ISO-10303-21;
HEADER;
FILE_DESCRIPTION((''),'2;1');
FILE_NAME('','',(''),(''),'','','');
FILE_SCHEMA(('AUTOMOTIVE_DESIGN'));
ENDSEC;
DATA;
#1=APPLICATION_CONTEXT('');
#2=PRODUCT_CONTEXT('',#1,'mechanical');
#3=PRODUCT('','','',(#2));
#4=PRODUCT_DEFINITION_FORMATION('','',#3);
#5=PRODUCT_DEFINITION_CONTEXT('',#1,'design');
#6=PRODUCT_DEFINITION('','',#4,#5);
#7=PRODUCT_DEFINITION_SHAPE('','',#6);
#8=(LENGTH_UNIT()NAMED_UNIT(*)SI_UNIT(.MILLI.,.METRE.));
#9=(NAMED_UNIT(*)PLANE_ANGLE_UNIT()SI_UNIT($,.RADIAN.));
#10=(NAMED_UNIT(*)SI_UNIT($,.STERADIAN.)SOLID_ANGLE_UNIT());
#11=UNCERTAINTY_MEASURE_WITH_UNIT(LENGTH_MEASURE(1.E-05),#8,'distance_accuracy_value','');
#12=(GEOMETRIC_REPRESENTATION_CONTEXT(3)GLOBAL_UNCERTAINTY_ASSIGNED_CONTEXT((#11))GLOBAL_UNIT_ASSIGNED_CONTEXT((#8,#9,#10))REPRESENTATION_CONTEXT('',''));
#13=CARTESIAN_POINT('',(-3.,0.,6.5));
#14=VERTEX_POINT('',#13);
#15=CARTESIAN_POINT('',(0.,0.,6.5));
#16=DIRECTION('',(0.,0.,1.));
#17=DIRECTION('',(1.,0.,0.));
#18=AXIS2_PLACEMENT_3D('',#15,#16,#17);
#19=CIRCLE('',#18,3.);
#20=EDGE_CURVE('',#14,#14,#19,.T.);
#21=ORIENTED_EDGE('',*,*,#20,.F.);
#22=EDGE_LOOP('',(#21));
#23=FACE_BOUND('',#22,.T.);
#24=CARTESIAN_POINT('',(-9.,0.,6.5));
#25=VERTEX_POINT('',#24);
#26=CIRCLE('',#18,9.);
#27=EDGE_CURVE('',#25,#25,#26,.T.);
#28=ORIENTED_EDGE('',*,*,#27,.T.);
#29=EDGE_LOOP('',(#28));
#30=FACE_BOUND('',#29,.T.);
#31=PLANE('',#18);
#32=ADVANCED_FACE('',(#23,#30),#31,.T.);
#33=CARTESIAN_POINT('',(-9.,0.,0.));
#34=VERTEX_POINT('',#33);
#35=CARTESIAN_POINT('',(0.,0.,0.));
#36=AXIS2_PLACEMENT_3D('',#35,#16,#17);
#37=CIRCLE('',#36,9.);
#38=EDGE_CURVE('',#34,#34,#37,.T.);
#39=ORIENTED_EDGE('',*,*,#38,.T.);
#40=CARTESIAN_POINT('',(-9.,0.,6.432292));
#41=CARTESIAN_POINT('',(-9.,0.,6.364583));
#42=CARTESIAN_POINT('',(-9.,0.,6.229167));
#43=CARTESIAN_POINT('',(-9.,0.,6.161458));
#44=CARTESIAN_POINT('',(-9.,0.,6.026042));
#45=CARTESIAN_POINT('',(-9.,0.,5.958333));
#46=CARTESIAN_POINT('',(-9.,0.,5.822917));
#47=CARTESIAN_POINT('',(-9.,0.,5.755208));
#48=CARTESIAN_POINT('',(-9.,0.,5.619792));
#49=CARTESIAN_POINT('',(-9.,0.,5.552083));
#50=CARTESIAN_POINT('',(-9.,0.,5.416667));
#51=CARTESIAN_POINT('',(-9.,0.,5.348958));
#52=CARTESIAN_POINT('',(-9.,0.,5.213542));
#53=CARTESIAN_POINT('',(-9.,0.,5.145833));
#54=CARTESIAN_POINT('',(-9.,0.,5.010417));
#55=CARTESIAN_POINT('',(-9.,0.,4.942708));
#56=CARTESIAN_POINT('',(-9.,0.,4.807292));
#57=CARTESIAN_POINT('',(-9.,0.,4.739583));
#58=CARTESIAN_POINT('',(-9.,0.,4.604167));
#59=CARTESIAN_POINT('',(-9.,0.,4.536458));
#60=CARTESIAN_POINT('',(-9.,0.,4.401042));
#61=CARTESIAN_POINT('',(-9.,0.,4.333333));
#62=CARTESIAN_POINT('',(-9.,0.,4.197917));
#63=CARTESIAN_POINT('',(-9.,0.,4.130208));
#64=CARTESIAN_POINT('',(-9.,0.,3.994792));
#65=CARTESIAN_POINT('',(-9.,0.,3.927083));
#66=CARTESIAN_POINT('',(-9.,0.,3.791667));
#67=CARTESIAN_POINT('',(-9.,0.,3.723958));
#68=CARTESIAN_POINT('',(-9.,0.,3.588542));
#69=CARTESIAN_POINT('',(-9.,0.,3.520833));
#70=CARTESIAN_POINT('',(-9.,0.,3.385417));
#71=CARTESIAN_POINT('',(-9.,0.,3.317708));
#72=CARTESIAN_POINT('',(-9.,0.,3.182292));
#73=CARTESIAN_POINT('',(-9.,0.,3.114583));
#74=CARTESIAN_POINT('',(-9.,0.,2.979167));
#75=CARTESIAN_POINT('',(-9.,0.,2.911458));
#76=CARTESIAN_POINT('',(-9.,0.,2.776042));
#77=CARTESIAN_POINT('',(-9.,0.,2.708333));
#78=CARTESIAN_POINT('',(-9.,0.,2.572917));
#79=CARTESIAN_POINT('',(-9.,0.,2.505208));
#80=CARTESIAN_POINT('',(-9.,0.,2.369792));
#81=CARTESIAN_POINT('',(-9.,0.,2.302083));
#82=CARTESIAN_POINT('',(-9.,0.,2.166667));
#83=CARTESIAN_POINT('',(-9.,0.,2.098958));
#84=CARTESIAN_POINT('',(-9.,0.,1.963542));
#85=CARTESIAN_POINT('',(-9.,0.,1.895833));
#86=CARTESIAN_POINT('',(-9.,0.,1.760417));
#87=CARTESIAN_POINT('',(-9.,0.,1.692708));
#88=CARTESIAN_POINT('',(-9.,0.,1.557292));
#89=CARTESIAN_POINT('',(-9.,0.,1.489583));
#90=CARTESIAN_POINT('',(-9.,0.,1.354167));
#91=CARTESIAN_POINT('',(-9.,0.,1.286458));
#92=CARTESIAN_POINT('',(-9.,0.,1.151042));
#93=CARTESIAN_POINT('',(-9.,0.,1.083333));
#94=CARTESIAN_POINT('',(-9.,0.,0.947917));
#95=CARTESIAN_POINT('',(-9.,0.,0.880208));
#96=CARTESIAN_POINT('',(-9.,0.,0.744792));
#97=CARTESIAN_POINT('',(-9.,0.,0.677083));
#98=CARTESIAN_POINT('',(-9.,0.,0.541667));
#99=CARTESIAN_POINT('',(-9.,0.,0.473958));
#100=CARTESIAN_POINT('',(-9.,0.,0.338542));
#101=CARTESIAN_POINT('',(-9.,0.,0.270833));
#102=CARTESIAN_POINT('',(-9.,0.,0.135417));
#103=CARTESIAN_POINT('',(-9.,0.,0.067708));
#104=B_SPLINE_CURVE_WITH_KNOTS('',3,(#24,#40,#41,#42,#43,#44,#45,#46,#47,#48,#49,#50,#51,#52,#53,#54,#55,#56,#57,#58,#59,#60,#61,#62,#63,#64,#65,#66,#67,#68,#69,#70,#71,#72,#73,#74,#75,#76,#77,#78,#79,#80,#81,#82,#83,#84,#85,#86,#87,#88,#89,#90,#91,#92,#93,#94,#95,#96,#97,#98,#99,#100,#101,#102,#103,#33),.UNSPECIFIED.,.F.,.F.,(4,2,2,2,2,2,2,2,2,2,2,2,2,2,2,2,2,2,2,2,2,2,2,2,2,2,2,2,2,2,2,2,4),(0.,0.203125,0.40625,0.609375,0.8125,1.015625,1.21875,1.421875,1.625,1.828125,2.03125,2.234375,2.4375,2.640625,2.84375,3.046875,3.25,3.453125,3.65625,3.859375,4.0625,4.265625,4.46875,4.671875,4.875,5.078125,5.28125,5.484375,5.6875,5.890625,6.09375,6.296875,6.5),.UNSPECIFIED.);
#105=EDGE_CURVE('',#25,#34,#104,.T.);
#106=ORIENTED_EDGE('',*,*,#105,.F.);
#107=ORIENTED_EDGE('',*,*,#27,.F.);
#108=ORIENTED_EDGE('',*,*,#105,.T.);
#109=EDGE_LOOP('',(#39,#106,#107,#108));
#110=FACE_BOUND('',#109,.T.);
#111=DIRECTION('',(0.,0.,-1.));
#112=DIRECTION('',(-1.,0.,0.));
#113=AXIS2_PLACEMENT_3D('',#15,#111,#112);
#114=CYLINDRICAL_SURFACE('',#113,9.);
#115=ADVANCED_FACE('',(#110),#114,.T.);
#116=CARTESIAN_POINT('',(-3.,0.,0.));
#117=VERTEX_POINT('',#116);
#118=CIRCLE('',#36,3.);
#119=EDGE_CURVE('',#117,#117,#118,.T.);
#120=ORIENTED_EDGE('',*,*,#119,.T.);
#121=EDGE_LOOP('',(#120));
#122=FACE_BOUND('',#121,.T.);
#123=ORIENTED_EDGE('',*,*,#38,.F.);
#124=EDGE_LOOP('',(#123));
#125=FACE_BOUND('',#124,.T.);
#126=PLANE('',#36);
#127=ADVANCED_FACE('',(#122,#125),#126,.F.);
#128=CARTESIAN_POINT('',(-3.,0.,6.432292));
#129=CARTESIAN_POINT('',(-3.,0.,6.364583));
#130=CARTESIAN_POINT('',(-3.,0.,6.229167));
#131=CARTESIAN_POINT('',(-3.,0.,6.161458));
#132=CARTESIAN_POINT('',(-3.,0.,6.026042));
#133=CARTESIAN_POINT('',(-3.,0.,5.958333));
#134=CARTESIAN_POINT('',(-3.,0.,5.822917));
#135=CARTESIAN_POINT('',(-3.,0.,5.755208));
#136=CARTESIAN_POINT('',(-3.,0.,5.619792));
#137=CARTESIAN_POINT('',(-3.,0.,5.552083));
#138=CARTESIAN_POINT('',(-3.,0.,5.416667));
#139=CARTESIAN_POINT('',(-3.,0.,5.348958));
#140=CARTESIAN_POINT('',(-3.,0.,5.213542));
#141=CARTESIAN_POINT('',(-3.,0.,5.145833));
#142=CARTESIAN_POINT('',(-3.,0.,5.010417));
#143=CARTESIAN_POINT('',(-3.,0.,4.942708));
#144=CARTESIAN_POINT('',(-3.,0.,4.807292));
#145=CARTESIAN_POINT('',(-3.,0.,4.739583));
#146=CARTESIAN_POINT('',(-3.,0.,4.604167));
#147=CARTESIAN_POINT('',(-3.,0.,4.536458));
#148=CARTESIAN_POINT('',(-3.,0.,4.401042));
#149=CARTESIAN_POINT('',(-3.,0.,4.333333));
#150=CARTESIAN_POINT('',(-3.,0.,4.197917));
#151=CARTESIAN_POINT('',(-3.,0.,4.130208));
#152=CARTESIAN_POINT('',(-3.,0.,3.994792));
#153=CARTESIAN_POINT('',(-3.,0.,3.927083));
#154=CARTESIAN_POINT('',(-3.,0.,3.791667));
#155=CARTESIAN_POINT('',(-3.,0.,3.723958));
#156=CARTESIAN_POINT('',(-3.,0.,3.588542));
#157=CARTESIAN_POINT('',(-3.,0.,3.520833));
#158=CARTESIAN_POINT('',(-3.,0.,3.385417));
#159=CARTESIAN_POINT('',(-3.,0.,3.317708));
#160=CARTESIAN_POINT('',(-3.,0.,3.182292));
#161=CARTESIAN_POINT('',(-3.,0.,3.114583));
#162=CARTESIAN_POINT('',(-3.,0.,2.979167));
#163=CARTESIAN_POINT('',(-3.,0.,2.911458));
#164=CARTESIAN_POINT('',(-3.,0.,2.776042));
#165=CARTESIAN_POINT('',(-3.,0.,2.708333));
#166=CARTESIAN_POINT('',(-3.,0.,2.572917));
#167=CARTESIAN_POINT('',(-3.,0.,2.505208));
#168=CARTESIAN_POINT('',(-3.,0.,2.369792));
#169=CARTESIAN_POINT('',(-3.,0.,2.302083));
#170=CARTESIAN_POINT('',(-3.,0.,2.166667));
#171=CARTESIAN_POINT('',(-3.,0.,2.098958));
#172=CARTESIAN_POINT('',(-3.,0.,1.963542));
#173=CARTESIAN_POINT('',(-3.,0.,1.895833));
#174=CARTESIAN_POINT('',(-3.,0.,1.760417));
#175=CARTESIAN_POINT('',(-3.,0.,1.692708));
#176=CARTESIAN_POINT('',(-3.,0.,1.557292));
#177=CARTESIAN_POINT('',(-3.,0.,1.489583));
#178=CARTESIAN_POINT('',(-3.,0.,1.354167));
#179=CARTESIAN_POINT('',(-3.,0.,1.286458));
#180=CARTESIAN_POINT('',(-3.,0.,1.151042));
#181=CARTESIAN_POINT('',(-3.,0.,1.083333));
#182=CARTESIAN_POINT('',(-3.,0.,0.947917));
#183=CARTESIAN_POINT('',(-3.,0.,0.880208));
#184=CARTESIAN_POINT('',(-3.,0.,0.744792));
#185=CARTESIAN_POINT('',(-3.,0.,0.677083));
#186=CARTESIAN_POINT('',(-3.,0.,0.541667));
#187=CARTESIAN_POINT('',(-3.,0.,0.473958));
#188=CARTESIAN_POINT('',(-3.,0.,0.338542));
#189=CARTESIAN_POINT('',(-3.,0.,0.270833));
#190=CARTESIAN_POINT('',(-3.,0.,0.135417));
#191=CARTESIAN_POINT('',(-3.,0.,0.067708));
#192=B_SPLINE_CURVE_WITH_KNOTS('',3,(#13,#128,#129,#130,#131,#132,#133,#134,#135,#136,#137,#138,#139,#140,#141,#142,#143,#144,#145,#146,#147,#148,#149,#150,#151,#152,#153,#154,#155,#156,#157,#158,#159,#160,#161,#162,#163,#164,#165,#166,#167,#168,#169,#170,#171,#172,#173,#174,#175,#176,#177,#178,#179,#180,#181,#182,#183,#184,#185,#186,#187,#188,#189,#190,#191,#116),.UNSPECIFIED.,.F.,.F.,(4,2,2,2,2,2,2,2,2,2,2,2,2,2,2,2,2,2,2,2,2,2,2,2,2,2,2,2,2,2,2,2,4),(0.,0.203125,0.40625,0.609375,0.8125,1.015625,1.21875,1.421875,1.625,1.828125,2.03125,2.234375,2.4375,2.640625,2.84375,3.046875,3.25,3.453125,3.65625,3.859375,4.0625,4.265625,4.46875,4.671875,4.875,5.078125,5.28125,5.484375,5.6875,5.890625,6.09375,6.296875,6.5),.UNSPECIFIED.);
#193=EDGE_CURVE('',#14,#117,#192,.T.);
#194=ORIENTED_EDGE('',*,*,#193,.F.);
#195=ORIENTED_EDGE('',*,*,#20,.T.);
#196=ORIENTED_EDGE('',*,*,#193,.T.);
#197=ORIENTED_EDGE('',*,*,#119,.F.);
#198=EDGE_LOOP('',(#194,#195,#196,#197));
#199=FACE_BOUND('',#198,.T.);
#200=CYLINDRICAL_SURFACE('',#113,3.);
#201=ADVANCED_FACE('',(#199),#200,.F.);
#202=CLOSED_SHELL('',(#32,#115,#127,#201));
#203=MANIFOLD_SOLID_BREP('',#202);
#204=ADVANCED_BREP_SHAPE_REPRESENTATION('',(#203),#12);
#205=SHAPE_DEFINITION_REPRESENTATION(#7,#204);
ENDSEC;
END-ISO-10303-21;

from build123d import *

# Parameters (mm, degrees)
SKETCH_1_R      = 9
SKETCH_1_R_2    = 3
EXTRUDE_2_DEPTH = 6.5


with BuildPart() as part:
    # Эскиз1 → Вытянуть2 (new body)
    with BuildSketch(Plane.XY):
        with Locations(Location((0, 0, 0), (0, 0, 180))):
            Circle(SKETCH_1_R)
        with Locations(Location((0, 0, 0), (0, 0, 180))):
            Circle(SKETCH_1_R_2, mode=Mode.SUBTRACT)
    extrude(amount=EXTRUDE_2_DEPTH)


solid = part.part
